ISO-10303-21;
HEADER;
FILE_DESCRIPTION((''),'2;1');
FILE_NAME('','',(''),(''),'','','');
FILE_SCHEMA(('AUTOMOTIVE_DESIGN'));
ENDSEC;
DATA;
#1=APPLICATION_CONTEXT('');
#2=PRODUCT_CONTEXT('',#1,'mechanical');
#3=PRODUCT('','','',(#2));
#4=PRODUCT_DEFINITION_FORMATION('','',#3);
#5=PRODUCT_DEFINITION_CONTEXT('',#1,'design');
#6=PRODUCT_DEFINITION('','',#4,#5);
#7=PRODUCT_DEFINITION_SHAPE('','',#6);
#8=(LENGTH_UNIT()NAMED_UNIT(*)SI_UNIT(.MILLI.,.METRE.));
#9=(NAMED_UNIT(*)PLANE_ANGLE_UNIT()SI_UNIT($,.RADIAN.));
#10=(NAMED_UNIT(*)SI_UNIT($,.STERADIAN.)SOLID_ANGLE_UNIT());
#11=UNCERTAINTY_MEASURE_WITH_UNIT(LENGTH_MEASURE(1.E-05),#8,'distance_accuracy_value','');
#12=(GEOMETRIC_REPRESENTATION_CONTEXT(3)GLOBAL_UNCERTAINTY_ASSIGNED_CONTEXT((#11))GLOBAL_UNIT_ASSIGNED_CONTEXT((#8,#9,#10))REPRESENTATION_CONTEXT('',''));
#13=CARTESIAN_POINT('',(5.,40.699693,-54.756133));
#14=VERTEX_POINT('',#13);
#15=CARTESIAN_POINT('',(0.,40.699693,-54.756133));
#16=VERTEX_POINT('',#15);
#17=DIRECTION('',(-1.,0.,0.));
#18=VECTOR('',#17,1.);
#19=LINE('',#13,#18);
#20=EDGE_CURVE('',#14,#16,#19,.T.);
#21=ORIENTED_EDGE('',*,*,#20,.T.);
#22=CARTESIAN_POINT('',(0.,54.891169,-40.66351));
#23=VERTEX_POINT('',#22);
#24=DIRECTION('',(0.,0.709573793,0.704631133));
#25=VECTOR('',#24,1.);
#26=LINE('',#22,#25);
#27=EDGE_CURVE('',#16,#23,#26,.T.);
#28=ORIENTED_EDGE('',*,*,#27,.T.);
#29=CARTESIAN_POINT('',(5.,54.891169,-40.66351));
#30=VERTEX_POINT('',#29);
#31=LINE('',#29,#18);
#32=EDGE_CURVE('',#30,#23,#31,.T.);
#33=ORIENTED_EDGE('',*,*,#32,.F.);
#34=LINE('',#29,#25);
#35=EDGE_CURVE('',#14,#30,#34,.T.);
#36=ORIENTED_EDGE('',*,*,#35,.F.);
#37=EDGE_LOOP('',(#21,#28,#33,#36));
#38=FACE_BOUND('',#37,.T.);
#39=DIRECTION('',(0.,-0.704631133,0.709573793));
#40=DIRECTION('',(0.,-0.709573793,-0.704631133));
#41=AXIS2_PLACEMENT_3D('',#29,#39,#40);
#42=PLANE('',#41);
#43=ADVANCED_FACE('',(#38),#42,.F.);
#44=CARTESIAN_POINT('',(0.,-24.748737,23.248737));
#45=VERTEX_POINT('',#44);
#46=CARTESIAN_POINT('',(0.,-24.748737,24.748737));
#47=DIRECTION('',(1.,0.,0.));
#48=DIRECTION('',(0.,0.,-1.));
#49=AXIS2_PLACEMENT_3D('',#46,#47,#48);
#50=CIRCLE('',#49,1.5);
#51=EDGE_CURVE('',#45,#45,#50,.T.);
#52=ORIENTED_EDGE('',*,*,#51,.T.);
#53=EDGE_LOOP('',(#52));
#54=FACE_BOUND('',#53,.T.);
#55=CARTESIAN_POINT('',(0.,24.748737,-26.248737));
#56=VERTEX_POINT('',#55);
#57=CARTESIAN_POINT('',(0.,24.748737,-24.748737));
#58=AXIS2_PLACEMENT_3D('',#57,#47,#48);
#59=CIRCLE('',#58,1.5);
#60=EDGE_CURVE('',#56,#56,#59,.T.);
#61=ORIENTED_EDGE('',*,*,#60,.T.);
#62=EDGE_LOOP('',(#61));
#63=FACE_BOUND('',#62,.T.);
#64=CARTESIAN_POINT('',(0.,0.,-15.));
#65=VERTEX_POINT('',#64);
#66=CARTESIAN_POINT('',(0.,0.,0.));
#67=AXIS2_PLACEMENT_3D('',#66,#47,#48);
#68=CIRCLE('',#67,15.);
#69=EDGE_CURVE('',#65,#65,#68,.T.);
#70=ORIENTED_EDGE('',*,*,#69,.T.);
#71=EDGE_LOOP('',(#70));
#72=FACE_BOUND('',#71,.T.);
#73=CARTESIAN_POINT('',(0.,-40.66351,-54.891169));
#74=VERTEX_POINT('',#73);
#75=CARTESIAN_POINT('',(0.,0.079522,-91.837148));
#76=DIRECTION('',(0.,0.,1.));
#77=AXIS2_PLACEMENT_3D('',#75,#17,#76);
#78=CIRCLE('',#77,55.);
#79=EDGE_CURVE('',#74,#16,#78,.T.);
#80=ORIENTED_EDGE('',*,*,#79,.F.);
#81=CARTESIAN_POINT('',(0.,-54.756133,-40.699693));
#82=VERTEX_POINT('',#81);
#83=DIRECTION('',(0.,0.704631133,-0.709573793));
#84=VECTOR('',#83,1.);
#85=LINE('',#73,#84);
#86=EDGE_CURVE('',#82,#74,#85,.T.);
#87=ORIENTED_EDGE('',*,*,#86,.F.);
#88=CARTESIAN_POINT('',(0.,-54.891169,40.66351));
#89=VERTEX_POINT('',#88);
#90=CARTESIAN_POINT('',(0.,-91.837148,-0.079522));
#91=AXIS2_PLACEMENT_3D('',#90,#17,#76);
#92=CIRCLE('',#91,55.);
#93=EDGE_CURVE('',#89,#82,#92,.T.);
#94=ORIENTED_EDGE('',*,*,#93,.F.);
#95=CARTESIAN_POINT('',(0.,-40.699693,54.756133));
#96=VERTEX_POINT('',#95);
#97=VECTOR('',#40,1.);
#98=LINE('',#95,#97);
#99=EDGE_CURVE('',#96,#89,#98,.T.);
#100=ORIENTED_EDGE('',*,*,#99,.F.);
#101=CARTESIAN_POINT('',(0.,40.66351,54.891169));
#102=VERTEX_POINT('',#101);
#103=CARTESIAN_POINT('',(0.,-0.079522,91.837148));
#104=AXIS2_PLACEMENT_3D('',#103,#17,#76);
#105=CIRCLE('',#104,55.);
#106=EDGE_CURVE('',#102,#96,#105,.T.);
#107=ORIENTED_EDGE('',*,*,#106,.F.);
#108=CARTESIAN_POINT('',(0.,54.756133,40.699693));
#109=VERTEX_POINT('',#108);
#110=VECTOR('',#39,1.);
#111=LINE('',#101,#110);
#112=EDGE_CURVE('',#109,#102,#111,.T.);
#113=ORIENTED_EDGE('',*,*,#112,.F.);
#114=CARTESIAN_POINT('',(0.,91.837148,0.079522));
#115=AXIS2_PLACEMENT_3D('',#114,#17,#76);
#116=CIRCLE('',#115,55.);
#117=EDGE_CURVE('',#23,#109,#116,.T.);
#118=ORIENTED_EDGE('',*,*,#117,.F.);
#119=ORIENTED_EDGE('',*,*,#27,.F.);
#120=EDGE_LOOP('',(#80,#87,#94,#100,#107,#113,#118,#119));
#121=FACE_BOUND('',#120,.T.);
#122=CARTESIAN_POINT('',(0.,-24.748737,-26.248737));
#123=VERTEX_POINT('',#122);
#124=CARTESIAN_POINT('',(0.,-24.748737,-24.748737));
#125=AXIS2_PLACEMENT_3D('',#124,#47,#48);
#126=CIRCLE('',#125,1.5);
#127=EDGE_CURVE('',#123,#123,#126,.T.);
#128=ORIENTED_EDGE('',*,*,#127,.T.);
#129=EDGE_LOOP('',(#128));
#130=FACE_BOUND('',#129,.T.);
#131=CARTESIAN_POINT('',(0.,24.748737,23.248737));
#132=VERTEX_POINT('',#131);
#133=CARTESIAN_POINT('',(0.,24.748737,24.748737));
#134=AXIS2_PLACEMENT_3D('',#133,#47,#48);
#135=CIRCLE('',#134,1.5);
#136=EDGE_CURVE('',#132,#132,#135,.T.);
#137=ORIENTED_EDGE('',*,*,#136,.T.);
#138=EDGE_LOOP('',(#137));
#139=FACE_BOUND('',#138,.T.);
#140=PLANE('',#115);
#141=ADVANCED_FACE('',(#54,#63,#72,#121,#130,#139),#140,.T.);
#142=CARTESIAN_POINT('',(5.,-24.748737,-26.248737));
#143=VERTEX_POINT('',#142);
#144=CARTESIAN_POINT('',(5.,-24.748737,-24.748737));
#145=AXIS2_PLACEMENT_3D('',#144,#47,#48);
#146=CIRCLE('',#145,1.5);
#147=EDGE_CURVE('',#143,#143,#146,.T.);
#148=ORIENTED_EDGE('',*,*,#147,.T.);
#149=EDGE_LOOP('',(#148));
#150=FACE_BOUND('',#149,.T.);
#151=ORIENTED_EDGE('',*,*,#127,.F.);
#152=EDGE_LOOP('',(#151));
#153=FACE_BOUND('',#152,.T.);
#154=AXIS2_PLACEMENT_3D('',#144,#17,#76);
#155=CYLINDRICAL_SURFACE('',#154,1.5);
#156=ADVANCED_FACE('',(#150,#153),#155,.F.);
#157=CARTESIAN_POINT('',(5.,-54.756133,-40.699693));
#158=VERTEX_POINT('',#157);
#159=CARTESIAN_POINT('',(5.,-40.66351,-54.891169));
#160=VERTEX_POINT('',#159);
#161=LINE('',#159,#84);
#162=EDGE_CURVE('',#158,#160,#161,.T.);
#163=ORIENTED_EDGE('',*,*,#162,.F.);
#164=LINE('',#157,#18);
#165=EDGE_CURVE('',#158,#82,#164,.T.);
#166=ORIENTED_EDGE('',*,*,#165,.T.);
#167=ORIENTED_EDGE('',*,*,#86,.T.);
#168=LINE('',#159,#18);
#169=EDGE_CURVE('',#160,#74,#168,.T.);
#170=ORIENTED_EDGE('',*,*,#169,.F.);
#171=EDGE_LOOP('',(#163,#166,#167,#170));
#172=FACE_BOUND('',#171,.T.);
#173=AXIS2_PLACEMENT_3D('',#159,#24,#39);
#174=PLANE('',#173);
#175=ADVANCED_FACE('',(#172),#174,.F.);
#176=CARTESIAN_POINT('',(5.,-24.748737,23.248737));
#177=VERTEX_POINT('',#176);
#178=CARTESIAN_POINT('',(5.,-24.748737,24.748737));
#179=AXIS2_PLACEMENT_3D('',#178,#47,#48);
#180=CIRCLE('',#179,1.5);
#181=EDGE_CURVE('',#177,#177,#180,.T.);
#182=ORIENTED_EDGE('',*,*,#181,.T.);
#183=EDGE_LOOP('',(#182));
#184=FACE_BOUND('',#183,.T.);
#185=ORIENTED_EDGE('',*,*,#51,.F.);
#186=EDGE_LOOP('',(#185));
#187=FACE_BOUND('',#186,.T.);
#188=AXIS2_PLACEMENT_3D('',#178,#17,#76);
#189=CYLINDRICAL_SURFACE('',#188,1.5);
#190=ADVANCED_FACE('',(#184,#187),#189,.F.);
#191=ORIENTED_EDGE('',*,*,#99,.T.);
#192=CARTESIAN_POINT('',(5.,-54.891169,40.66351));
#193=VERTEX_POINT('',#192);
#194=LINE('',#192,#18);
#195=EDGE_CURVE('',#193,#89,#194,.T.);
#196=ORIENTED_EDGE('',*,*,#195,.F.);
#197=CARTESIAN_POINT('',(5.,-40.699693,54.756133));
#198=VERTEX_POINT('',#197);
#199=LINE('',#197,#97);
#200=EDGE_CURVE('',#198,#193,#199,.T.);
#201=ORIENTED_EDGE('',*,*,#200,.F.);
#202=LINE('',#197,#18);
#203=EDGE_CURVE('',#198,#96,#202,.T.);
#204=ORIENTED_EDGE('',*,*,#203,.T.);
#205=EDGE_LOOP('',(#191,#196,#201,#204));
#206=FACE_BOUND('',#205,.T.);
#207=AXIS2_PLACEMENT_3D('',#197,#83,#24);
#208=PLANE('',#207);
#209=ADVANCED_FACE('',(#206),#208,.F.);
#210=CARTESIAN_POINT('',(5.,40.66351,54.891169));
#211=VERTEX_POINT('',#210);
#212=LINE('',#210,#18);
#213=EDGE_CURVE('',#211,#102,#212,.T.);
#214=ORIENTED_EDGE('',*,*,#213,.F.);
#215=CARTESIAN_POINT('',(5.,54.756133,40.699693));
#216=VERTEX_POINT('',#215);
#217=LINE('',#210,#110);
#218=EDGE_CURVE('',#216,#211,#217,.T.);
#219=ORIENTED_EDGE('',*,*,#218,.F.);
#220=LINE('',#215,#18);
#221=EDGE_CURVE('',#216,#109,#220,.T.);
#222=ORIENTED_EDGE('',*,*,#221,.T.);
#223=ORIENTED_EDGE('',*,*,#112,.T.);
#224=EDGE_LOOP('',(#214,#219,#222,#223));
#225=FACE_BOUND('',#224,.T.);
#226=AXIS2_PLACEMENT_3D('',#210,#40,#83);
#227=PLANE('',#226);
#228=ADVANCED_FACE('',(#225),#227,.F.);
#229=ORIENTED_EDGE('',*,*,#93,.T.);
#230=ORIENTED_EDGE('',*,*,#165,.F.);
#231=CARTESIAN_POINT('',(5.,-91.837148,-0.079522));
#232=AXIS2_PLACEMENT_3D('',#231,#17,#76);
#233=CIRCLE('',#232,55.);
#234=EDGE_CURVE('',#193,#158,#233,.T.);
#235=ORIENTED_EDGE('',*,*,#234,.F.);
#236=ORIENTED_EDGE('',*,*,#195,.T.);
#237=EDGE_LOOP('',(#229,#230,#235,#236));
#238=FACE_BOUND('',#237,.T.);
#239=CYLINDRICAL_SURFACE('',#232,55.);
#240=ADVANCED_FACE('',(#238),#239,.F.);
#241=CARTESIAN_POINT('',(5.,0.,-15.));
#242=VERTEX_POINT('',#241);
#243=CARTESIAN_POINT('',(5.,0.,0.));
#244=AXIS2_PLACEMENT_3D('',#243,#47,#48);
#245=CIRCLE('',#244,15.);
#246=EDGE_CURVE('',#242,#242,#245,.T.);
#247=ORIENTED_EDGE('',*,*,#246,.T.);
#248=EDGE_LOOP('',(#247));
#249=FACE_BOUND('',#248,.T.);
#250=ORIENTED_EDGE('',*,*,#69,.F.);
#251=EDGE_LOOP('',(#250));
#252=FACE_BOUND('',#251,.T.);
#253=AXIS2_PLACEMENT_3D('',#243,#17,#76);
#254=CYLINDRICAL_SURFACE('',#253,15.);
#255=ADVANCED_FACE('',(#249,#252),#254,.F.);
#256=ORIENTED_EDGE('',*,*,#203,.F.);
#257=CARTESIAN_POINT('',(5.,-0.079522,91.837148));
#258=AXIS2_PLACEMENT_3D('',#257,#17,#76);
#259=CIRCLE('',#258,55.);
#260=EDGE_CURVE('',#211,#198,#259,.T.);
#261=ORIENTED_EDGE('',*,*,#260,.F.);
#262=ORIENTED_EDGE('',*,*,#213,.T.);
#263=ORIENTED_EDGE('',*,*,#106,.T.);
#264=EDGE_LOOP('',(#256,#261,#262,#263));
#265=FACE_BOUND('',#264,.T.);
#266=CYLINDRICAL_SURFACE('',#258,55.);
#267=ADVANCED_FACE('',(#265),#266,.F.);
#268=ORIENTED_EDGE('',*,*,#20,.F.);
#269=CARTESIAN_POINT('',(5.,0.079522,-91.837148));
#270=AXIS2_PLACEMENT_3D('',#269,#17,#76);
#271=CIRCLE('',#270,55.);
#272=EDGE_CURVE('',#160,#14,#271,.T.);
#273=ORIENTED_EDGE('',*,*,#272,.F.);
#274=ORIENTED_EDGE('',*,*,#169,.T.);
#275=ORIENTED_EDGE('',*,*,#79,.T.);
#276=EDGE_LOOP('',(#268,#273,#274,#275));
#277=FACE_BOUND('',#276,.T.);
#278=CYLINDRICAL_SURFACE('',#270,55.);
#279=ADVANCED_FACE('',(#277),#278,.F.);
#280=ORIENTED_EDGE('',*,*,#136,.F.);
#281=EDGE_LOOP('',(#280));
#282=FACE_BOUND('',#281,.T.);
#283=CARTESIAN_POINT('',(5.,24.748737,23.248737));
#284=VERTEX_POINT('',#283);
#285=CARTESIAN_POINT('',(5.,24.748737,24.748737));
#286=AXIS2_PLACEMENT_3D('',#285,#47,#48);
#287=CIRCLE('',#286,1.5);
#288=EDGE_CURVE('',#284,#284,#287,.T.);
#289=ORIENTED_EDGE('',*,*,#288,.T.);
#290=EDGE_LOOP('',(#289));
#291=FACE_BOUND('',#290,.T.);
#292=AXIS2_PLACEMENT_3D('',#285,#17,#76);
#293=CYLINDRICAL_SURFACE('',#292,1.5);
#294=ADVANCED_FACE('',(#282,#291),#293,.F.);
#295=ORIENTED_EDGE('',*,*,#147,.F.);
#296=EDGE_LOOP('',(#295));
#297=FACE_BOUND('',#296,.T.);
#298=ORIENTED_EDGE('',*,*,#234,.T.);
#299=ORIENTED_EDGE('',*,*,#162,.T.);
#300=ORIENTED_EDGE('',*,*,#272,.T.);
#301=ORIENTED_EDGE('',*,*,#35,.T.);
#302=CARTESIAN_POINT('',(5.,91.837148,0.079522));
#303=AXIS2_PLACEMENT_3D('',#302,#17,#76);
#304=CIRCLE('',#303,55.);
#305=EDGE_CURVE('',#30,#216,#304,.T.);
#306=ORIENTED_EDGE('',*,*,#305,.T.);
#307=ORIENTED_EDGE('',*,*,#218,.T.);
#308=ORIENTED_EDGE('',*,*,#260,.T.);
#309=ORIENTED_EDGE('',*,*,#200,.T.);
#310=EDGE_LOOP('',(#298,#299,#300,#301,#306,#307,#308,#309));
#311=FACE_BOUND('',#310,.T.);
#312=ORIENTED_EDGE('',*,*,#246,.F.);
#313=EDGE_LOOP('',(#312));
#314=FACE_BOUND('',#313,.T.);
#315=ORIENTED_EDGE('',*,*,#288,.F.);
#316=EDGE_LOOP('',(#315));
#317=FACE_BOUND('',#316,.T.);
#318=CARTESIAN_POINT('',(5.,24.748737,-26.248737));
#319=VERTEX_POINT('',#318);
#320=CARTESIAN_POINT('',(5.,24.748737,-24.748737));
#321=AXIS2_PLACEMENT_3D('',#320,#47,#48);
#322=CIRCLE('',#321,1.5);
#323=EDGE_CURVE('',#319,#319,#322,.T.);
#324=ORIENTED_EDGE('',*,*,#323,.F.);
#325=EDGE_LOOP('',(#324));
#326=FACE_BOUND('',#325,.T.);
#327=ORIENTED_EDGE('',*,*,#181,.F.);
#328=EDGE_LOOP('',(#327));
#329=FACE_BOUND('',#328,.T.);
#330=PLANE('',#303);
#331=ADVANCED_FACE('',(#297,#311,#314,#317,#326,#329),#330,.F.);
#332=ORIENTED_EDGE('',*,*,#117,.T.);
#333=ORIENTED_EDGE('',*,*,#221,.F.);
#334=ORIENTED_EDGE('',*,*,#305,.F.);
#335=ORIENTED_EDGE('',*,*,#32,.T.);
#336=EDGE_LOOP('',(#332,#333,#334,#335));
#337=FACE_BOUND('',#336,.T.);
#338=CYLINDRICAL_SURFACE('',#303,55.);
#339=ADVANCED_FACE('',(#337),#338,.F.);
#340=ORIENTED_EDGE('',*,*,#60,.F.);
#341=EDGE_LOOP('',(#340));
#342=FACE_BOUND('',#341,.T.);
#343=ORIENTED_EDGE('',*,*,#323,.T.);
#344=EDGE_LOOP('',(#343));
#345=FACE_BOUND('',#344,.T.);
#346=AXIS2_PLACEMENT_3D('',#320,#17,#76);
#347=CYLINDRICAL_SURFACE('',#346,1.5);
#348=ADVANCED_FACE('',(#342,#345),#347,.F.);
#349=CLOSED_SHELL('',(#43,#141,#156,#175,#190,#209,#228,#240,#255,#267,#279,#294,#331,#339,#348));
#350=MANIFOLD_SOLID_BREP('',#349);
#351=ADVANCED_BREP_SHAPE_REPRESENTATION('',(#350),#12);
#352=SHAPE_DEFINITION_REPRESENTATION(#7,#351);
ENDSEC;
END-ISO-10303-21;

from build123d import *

# Parameters (mm, degrees)
SKETCH_1_R      = 15
SKETCH_1_R_2    = 1.5
EXTRUDE_1_DEPTH = 5


with BuildPart() as part:
    # 草图1 → 凸台-拉伸1 (new body)
    with BuildSketch(Plane(origin=(0, 0, 0), x_dir=(0, 0, -1), z_dir=(1, 0, 0))):
        with BuildLine():
            Line((-54.891168705, 40.66351007), (-40.699692853, 54.756132721))
            ThreePointArc((-40.699692853, 54.756132721), (0.011760124, 36.837223596), (40.66351007, 54.891168705))
            Line((40.66351007, 54.891168705), (54.756132721, 40.699692853))
            ThreePointArc((54.756132721, 40.699692853), (36.837223596, -0.011760124), (54.891168705, -40.66351007))
            Line((54.891168705, -40.66351007), (40.699692853, -54.756132721))
            ThreePointArc((40.699692853, -54.756132721), (-0.011760124, -36.837223596), (-40.66351007, -54.891168705))
            Line((-40.66351007, -54.891168705), (-54.756132721, -40.699692853))
            ThreePointArc((-54.756132721, -40.699692853), (-36.837223596, 0.011760124), (-54.891168705, 40.66351007))
        make_face()
        Circle(SKETCH_1_R, mode=Mode.SUBTRACT)
        with Locations((24.748737342, 24.748737342)):
            Circle(SKETCH_1_R_2, mode=Mode.SUBTRACT)
        with Locations((24.748737342, -24.748737342)):
            Circle(SKETCH_1_R_2, mode=Mode.SUBTRACT)
        with Locations((-24.748737342, -24.748737342)):
            Circle(SKETCH_1_R_2, mode=Mode.SUBTRACT)
        with Locations((-24.748737342, 24.748737342)):
            Circle(SKETCH_1_R_2, mode=Mode.SUBTRACT)
    extrude(amount=EXTRUDE_1_DEPTH)


solid = part.part
